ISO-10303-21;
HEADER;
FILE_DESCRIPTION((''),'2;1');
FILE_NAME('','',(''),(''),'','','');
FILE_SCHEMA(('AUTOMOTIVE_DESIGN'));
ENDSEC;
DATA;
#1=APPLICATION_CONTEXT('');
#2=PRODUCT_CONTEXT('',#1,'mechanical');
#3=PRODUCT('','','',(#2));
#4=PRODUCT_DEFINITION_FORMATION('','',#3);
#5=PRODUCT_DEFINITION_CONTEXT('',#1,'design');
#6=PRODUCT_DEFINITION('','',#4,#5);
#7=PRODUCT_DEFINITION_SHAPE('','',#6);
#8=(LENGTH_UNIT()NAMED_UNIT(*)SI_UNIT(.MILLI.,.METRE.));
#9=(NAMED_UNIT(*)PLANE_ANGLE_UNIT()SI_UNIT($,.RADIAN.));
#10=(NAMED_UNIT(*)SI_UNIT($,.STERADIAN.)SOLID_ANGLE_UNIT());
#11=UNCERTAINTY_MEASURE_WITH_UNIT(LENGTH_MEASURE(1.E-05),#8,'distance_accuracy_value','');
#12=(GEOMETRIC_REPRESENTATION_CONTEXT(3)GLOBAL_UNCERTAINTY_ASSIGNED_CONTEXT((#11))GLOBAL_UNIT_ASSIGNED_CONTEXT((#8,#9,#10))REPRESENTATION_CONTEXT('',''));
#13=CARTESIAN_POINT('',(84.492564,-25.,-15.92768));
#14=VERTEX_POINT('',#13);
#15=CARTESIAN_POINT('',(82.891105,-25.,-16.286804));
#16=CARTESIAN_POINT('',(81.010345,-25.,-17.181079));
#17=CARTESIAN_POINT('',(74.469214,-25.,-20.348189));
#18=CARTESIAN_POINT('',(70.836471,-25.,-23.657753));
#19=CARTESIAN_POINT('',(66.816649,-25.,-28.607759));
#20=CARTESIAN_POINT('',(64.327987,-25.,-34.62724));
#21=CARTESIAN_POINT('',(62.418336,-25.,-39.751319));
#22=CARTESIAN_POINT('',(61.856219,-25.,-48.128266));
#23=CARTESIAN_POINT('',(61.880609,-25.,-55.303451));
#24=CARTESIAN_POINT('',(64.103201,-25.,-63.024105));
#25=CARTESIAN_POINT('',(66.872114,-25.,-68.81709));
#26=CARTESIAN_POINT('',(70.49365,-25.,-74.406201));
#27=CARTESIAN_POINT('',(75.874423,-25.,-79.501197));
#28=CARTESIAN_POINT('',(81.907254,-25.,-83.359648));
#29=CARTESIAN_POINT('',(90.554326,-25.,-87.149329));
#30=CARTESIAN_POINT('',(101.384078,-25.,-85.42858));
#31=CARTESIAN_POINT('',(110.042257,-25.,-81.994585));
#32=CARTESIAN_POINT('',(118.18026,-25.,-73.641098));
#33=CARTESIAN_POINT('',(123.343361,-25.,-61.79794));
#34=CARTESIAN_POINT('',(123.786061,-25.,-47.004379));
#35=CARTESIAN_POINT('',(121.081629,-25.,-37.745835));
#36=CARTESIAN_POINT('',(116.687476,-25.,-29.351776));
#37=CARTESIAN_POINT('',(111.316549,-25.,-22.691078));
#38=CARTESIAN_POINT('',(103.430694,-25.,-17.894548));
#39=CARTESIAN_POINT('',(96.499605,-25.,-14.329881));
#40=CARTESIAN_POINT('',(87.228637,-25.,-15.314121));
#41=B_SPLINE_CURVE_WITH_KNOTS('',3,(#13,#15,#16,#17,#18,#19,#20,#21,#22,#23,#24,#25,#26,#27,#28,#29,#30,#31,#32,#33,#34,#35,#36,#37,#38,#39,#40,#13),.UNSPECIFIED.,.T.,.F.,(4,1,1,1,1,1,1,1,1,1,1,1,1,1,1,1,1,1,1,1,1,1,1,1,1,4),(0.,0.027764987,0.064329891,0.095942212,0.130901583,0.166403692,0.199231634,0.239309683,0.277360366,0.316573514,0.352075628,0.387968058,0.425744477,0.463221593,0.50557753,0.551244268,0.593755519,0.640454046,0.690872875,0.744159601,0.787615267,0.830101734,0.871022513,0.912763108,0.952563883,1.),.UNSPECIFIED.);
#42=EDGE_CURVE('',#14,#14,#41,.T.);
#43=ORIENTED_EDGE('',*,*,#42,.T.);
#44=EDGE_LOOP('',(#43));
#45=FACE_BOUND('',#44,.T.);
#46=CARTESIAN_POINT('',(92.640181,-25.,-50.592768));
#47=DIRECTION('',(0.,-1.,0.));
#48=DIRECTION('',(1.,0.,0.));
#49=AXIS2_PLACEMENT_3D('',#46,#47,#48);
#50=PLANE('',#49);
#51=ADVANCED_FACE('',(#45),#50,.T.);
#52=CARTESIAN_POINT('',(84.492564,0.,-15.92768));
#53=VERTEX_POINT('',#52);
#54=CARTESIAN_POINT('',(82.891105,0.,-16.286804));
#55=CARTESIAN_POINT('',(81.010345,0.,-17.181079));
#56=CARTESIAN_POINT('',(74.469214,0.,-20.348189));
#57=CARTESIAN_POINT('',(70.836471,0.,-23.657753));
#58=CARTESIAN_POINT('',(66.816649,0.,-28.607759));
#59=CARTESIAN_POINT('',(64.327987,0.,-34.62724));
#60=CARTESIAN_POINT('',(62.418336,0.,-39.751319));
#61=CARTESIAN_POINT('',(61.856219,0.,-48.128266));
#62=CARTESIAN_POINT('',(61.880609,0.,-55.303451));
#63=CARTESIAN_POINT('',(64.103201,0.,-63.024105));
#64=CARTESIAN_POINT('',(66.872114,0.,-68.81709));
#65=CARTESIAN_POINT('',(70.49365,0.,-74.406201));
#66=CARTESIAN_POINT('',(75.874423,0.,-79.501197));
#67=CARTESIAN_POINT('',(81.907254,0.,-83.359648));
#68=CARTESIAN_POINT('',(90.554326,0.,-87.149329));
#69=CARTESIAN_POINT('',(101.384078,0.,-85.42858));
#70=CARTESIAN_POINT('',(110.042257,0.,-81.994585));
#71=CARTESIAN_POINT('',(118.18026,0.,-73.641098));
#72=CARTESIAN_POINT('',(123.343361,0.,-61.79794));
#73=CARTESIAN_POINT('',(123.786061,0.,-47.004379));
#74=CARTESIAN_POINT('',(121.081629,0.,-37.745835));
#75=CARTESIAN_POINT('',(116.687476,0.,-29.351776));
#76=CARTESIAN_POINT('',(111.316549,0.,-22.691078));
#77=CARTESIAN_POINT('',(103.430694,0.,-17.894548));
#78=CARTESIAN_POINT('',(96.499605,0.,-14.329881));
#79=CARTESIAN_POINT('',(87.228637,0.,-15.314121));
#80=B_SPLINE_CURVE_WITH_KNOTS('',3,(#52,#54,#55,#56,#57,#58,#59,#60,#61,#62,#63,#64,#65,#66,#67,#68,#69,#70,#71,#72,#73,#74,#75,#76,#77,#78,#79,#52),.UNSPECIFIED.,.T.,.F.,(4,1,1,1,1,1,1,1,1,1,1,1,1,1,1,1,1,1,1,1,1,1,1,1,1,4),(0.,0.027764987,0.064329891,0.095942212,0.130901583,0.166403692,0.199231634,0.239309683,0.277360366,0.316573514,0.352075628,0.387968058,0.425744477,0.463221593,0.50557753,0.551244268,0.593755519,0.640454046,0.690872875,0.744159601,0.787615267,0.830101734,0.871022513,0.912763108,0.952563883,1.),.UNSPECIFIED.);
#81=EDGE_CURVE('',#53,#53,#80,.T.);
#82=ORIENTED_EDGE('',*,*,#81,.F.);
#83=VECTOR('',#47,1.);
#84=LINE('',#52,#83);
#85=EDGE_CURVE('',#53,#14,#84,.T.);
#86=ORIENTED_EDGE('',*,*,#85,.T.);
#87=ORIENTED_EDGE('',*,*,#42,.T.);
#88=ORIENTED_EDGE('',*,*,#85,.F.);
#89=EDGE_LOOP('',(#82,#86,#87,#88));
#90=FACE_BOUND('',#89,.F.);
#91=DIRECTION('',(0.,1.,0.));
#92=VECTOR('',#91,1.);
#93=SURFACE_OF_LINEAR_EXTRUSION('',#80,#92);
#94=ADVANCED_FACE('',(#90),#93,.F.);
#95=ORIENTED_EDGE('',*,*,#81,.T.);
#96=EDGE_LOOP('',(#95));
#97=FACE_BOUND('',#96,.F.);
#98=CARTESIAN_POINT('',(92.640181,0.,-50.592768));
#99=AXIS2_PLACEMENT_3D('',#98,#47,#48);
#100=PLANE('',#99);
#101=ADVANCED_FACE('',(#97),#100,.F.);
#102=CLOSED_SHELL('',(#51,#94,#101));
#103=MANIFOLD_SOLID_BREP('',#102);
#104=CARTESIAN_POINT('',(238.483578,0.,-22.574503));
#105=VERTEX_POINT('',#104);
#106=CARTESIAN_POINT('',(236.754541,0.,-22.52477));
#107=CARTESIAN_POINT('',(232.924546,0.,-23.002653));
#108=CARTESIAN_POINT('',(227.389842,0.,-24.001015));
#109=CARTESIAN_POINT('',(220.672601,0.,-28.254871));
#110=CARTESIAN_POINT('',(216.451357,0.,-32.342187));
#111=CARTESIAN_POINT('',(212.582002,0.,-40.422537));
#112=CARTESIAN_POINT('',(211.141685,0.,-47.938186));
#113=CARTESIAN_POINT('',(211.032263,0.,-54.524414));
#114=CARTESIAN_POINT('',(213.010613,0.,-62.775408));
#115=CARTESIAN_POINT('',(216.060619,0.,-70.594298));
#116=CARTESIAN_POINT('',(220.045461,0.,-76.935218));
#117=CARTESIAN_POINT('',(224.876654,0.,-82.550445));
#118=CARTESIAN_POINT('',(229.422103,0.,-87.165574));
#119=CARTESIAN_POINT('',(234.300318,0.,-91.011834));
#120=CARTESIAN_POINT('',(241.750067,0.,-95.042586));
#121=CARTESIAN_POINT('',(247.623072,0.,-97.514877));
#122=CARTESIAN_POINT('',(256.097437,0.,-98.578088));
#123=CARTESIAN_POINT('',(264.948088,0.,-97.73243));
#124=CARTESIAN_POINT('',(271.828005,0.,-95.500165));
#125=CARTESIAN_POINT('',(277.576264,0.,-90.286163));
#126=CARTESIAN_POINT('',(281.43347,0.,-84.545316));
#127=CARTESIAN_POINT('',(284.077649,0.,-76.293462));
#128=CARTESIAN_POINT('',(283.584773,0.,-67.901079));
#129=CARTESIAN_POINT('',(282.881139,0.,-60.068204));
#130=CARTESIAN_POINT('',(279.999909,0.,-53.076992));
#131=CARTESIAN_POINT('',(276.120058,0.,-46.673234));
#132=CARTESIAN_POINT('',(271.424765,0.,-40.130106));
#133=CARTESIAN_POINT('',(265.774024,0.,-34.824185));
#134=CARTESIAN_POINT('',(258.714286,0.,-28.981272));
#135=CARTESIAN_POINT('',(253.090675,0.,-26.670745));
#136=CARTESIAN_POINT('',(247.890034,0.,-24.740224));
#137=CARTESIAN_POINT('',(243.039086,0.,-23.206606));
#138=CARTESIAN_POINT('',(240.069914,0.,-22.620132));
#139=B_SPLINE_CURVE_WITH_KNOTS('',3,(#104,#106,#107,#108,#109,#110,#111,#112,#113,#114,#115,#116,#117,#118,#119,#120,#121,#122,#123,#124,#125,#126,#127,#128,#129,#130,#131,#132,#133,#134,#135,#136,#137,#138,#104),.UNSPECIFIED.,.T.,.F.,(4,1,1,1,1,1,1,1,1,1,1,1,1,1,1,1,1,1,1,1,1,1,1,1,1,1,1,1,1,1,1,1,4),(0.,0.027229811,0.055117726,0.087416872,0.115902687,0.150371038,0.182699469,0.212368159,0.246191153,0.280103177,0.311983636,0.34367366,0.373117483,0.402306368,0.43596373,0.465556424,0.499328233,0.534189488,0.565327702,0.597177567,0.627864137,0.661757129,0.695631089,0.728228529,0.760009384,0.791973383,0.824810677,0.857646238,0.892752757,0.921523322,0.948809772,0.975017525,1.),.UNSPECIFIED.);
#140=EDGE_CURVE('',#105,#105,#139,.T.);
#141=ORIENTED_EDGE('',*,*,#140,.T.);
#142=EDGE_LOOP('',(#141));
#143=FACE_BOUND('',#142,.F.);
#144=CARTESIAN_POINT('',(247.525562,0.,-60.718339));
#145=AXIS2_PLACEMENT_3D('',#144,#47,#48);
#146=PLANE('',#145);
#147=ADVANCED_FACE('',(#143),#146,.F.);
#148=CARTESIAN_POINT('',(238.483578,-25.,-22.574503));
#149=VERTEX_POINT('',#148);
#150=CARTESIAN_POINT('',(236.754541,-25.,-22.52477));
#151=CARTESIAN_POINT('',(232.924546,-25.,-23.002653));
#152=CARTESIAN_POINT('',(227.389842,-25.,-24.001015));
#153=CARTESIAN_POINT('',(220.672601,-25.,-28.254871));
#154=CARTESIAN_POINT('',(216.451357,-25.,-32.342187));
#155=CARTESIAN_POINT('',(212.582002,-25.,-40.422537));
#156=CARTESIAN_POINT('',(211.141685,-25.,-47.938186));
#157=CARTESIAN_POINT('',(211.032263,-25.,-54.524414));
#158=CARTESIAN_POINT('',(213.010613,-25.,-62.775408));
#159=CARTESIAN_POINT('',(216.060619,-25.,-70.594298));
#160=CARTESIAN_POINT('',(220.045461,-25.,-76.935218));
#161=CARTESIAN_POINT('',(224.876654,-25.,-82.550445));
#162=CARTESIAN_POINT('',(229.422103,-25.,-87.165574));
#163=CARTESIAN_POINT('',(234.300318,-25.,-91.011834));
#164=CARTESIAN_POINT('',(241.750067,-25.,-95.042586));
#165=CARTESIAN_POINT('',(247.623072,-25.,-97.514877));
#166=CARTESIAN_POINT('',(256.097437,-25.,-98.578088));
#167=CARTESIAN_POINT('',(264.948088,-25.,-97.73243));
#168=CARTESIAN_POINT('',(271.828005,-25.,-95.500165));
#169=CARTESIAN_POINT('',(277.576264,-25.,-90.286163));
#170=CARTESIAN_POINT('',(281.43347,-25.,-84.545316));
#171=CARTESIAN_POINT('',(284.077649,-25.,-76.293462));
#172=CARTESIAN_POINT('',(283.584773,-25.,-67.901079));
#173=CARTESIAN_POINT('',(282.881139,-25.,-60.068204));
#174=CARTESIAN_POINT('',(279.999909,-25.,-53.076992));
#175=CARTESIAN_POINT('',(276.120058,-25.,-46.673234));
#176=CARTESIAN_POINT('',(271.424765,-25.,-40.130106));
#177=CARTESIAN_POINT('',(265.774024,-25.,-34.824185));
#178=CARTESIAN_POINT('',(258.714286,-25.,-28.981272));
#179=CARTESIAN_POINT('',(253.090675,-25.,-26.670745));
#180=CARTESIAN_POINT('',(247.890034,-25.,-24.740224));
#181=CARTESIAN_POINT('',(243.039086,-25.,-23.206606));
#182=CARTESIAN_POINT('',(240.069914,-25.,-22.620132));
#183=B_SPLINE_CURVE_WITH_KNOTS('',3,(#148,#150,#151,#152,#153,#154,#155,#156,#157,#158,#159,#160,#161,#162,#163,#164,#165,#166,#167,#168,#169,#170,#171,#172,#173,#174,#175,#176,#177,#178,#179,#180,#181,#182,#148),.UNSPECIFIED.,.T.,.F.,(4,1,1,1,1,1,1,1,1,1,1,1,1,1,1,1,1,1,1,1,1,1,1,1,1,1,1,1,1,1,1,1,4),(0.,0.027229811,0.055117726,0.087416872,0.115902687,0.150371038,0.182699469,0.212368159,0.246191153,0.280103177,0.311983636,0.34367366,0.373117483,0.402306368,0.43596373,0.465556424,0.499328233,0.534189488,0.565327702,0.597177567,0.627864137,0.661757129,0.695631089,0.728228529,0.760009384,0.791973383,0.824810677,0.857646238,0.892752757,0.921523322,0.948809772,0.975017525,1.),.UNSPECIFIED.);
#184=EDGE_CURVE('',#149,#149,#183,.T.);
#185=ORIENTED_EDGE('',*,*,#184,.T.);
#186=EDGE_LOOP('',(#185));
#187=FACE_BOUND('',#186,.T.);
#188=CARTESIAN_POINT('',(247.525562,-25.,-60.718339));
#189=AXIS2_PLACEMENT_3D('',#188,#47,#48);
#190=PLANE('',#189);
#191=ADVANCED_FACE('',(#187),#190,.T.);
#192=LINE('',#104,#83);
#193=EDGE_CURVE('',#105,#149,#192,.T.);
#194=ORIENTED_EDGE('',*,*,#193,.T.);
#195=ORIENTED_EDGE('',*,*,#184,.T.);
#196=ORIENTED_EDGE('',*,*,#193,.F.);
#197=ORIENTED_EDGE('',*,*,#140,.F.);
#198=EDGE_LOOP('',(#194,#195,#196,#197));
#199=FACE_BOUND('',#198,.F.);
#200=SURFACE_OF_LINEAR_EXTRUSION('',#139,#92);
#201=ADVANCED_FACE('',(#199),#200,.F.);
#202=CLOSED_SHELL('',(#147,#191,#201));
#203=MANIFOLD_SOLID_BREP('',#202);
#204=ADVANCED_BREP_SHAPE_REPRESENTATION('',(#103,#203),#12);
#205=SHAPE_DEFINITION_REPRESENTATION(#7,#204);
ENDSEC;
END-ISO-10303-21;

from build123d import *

# Parameters (mm, degrees)
F1_DEPTH = 25


with BuildPart() as f1:
    # F0 (on Front) → F1 (new body)
    with BuildSketch(Plane.XZ):
        with BuildLine():
            add(Edge.make_bspline(
                [(238.4835779667, -22.5745029747), (236.7545406238, -22.5247697295), (232.9245460344, -23.0026525478), (227.3898418357, -24.0010152878), (220.6726007618, -28.2548705802), (216.4513568508, -32.3421873301), (212.5820021492, -40.4225373481), (211.1416847504, -47.9381858981), (211.0322628303, -54.5244140866), (213.0106125963, -62.775407929), (216.0606188002, -70.5942976727), (220.0454610282, -76.9352183887), (224.876653697, -82.5504454521), (229.4221032233, -87.1655744344), (234.3003176902, -91.0118341954), (241.7500665721, -95.0425859284), (247.6230722111, -97.5148771912), (256.0974369658, -98.5780876243), (264.9480877561, -97.7324298891), (271.8280052285, -95.5001651376), (277.5762638089, -90.2861630881), (281.4334695278, -84.5453158396), (284.0776493402, -76.2934618032), (283.5847725431, -67.9010790602), (282.8811388167, -60.0682038728), (279.9999091225, -53.076992115), (276.1200579538, -46.6732341065), (271.4247651093, -40.130105834), (265.7740243818, -34.8241849625), (258.7142857676, -28.9812716027), (253.0906747057, -26.6707447044), (247.8900338905, -24.7402242401), (243.0390861139, -23.2066058491), (240.0699140259, -22.620131625), (238.4835779667, -22.5745029747)],
                knots=[0, 0, 0, 0, 0.0272298115, 0.0551177257, 0.0874168718, 0.1159026868, 0.1503710379, 0.1826994688, 0.2123681592, 0.2461911529, 0.2801031771, 0.3119836356, 0.3436736604, 0.3731174834, 0.4023063677, 0.4359637296, 0.4655564243, 0.4993282333, 0.5341894877, 0.5653277019, 0.5971775668, 0.6278641367, 0.6617571291, 0.6956310889, 0.7282285294, 0.7600093838, 0.7919733829, 0.8248106768, 0.857646238, 0.8927527569, 0.9215233216, 0.9488097723, 0.9750175252, 1, 1, 1, 1], degree=3))
        make_face()
    extrude(amount=F1_DEPTH)


with BuildPart() as f1b:
    # F0 (on Front) → F1, piece 2 (new body)
    with BuildSketch(Plane.XZ):
        with BuildLine():
            add(Edge.make_bspline(
                [(84.4925642014, -15.9276798368), (82.891104733, -16.2868040192), (81.0103452801, -17.1810791482), (74.4692140723, -20.34818863), (70.8364705399, -23.6577533835), (66.8166492714, -28.6077587759), (64.327987391, -34.627239649), (62.4183356911, -39.7513185047), (61.856218965, -48.1282664026), (61.8806092786, -55.3034511676), (64.1032005402, -63.0241053031), (66.8721142123, -68.8170902576), (70.4936498757, -74.4062007536), (75.8744226876, -79.5011965411), (81.9072538121, -83.3596480339), (90.5543260954, -87.1493291952), (101.3840775866, -85.4285800079), (110.0422569133, -81.9945853209), (118.180260319, -73.6410982036), (123.3433608166, -61.7979399892), (123.7860614187, -47.0043789034), (121.0816290681, -37.7458348099), (116.687476067, -29.351776244), (111.3165491978, -22.6910775512), (103.430694342, -17.8945483503), (96.499604742, -14.3298814816), (87.2286367696, -15.3141208653), (84.4925642014, -15.9276798368)],
                knots=[0, 0, 0, 0, 0.0277649871, 0.0643298905, 0.0959422119, 0.1309015826, 0.1664036924, 0.1992316336, 0.2393096825, 0.2773603663, 0.3165735135, 0.352075628, 0.3879680583, 0.4257444766, 0.4632215933, 0.5055775296, 0.5512442683, 0.5937555193, 0.6404540462, 0.6908728748, 0.7441596011, 0.7876152669, 0.8301017336, 0.8710225134, 0.9127631081, 0.9525638825, 1, 1, 1, 1], degree=3))
        make_face()
    extrude(amount=F1_DEPTH)


solid = Compound([f1.part, f1b.part])
